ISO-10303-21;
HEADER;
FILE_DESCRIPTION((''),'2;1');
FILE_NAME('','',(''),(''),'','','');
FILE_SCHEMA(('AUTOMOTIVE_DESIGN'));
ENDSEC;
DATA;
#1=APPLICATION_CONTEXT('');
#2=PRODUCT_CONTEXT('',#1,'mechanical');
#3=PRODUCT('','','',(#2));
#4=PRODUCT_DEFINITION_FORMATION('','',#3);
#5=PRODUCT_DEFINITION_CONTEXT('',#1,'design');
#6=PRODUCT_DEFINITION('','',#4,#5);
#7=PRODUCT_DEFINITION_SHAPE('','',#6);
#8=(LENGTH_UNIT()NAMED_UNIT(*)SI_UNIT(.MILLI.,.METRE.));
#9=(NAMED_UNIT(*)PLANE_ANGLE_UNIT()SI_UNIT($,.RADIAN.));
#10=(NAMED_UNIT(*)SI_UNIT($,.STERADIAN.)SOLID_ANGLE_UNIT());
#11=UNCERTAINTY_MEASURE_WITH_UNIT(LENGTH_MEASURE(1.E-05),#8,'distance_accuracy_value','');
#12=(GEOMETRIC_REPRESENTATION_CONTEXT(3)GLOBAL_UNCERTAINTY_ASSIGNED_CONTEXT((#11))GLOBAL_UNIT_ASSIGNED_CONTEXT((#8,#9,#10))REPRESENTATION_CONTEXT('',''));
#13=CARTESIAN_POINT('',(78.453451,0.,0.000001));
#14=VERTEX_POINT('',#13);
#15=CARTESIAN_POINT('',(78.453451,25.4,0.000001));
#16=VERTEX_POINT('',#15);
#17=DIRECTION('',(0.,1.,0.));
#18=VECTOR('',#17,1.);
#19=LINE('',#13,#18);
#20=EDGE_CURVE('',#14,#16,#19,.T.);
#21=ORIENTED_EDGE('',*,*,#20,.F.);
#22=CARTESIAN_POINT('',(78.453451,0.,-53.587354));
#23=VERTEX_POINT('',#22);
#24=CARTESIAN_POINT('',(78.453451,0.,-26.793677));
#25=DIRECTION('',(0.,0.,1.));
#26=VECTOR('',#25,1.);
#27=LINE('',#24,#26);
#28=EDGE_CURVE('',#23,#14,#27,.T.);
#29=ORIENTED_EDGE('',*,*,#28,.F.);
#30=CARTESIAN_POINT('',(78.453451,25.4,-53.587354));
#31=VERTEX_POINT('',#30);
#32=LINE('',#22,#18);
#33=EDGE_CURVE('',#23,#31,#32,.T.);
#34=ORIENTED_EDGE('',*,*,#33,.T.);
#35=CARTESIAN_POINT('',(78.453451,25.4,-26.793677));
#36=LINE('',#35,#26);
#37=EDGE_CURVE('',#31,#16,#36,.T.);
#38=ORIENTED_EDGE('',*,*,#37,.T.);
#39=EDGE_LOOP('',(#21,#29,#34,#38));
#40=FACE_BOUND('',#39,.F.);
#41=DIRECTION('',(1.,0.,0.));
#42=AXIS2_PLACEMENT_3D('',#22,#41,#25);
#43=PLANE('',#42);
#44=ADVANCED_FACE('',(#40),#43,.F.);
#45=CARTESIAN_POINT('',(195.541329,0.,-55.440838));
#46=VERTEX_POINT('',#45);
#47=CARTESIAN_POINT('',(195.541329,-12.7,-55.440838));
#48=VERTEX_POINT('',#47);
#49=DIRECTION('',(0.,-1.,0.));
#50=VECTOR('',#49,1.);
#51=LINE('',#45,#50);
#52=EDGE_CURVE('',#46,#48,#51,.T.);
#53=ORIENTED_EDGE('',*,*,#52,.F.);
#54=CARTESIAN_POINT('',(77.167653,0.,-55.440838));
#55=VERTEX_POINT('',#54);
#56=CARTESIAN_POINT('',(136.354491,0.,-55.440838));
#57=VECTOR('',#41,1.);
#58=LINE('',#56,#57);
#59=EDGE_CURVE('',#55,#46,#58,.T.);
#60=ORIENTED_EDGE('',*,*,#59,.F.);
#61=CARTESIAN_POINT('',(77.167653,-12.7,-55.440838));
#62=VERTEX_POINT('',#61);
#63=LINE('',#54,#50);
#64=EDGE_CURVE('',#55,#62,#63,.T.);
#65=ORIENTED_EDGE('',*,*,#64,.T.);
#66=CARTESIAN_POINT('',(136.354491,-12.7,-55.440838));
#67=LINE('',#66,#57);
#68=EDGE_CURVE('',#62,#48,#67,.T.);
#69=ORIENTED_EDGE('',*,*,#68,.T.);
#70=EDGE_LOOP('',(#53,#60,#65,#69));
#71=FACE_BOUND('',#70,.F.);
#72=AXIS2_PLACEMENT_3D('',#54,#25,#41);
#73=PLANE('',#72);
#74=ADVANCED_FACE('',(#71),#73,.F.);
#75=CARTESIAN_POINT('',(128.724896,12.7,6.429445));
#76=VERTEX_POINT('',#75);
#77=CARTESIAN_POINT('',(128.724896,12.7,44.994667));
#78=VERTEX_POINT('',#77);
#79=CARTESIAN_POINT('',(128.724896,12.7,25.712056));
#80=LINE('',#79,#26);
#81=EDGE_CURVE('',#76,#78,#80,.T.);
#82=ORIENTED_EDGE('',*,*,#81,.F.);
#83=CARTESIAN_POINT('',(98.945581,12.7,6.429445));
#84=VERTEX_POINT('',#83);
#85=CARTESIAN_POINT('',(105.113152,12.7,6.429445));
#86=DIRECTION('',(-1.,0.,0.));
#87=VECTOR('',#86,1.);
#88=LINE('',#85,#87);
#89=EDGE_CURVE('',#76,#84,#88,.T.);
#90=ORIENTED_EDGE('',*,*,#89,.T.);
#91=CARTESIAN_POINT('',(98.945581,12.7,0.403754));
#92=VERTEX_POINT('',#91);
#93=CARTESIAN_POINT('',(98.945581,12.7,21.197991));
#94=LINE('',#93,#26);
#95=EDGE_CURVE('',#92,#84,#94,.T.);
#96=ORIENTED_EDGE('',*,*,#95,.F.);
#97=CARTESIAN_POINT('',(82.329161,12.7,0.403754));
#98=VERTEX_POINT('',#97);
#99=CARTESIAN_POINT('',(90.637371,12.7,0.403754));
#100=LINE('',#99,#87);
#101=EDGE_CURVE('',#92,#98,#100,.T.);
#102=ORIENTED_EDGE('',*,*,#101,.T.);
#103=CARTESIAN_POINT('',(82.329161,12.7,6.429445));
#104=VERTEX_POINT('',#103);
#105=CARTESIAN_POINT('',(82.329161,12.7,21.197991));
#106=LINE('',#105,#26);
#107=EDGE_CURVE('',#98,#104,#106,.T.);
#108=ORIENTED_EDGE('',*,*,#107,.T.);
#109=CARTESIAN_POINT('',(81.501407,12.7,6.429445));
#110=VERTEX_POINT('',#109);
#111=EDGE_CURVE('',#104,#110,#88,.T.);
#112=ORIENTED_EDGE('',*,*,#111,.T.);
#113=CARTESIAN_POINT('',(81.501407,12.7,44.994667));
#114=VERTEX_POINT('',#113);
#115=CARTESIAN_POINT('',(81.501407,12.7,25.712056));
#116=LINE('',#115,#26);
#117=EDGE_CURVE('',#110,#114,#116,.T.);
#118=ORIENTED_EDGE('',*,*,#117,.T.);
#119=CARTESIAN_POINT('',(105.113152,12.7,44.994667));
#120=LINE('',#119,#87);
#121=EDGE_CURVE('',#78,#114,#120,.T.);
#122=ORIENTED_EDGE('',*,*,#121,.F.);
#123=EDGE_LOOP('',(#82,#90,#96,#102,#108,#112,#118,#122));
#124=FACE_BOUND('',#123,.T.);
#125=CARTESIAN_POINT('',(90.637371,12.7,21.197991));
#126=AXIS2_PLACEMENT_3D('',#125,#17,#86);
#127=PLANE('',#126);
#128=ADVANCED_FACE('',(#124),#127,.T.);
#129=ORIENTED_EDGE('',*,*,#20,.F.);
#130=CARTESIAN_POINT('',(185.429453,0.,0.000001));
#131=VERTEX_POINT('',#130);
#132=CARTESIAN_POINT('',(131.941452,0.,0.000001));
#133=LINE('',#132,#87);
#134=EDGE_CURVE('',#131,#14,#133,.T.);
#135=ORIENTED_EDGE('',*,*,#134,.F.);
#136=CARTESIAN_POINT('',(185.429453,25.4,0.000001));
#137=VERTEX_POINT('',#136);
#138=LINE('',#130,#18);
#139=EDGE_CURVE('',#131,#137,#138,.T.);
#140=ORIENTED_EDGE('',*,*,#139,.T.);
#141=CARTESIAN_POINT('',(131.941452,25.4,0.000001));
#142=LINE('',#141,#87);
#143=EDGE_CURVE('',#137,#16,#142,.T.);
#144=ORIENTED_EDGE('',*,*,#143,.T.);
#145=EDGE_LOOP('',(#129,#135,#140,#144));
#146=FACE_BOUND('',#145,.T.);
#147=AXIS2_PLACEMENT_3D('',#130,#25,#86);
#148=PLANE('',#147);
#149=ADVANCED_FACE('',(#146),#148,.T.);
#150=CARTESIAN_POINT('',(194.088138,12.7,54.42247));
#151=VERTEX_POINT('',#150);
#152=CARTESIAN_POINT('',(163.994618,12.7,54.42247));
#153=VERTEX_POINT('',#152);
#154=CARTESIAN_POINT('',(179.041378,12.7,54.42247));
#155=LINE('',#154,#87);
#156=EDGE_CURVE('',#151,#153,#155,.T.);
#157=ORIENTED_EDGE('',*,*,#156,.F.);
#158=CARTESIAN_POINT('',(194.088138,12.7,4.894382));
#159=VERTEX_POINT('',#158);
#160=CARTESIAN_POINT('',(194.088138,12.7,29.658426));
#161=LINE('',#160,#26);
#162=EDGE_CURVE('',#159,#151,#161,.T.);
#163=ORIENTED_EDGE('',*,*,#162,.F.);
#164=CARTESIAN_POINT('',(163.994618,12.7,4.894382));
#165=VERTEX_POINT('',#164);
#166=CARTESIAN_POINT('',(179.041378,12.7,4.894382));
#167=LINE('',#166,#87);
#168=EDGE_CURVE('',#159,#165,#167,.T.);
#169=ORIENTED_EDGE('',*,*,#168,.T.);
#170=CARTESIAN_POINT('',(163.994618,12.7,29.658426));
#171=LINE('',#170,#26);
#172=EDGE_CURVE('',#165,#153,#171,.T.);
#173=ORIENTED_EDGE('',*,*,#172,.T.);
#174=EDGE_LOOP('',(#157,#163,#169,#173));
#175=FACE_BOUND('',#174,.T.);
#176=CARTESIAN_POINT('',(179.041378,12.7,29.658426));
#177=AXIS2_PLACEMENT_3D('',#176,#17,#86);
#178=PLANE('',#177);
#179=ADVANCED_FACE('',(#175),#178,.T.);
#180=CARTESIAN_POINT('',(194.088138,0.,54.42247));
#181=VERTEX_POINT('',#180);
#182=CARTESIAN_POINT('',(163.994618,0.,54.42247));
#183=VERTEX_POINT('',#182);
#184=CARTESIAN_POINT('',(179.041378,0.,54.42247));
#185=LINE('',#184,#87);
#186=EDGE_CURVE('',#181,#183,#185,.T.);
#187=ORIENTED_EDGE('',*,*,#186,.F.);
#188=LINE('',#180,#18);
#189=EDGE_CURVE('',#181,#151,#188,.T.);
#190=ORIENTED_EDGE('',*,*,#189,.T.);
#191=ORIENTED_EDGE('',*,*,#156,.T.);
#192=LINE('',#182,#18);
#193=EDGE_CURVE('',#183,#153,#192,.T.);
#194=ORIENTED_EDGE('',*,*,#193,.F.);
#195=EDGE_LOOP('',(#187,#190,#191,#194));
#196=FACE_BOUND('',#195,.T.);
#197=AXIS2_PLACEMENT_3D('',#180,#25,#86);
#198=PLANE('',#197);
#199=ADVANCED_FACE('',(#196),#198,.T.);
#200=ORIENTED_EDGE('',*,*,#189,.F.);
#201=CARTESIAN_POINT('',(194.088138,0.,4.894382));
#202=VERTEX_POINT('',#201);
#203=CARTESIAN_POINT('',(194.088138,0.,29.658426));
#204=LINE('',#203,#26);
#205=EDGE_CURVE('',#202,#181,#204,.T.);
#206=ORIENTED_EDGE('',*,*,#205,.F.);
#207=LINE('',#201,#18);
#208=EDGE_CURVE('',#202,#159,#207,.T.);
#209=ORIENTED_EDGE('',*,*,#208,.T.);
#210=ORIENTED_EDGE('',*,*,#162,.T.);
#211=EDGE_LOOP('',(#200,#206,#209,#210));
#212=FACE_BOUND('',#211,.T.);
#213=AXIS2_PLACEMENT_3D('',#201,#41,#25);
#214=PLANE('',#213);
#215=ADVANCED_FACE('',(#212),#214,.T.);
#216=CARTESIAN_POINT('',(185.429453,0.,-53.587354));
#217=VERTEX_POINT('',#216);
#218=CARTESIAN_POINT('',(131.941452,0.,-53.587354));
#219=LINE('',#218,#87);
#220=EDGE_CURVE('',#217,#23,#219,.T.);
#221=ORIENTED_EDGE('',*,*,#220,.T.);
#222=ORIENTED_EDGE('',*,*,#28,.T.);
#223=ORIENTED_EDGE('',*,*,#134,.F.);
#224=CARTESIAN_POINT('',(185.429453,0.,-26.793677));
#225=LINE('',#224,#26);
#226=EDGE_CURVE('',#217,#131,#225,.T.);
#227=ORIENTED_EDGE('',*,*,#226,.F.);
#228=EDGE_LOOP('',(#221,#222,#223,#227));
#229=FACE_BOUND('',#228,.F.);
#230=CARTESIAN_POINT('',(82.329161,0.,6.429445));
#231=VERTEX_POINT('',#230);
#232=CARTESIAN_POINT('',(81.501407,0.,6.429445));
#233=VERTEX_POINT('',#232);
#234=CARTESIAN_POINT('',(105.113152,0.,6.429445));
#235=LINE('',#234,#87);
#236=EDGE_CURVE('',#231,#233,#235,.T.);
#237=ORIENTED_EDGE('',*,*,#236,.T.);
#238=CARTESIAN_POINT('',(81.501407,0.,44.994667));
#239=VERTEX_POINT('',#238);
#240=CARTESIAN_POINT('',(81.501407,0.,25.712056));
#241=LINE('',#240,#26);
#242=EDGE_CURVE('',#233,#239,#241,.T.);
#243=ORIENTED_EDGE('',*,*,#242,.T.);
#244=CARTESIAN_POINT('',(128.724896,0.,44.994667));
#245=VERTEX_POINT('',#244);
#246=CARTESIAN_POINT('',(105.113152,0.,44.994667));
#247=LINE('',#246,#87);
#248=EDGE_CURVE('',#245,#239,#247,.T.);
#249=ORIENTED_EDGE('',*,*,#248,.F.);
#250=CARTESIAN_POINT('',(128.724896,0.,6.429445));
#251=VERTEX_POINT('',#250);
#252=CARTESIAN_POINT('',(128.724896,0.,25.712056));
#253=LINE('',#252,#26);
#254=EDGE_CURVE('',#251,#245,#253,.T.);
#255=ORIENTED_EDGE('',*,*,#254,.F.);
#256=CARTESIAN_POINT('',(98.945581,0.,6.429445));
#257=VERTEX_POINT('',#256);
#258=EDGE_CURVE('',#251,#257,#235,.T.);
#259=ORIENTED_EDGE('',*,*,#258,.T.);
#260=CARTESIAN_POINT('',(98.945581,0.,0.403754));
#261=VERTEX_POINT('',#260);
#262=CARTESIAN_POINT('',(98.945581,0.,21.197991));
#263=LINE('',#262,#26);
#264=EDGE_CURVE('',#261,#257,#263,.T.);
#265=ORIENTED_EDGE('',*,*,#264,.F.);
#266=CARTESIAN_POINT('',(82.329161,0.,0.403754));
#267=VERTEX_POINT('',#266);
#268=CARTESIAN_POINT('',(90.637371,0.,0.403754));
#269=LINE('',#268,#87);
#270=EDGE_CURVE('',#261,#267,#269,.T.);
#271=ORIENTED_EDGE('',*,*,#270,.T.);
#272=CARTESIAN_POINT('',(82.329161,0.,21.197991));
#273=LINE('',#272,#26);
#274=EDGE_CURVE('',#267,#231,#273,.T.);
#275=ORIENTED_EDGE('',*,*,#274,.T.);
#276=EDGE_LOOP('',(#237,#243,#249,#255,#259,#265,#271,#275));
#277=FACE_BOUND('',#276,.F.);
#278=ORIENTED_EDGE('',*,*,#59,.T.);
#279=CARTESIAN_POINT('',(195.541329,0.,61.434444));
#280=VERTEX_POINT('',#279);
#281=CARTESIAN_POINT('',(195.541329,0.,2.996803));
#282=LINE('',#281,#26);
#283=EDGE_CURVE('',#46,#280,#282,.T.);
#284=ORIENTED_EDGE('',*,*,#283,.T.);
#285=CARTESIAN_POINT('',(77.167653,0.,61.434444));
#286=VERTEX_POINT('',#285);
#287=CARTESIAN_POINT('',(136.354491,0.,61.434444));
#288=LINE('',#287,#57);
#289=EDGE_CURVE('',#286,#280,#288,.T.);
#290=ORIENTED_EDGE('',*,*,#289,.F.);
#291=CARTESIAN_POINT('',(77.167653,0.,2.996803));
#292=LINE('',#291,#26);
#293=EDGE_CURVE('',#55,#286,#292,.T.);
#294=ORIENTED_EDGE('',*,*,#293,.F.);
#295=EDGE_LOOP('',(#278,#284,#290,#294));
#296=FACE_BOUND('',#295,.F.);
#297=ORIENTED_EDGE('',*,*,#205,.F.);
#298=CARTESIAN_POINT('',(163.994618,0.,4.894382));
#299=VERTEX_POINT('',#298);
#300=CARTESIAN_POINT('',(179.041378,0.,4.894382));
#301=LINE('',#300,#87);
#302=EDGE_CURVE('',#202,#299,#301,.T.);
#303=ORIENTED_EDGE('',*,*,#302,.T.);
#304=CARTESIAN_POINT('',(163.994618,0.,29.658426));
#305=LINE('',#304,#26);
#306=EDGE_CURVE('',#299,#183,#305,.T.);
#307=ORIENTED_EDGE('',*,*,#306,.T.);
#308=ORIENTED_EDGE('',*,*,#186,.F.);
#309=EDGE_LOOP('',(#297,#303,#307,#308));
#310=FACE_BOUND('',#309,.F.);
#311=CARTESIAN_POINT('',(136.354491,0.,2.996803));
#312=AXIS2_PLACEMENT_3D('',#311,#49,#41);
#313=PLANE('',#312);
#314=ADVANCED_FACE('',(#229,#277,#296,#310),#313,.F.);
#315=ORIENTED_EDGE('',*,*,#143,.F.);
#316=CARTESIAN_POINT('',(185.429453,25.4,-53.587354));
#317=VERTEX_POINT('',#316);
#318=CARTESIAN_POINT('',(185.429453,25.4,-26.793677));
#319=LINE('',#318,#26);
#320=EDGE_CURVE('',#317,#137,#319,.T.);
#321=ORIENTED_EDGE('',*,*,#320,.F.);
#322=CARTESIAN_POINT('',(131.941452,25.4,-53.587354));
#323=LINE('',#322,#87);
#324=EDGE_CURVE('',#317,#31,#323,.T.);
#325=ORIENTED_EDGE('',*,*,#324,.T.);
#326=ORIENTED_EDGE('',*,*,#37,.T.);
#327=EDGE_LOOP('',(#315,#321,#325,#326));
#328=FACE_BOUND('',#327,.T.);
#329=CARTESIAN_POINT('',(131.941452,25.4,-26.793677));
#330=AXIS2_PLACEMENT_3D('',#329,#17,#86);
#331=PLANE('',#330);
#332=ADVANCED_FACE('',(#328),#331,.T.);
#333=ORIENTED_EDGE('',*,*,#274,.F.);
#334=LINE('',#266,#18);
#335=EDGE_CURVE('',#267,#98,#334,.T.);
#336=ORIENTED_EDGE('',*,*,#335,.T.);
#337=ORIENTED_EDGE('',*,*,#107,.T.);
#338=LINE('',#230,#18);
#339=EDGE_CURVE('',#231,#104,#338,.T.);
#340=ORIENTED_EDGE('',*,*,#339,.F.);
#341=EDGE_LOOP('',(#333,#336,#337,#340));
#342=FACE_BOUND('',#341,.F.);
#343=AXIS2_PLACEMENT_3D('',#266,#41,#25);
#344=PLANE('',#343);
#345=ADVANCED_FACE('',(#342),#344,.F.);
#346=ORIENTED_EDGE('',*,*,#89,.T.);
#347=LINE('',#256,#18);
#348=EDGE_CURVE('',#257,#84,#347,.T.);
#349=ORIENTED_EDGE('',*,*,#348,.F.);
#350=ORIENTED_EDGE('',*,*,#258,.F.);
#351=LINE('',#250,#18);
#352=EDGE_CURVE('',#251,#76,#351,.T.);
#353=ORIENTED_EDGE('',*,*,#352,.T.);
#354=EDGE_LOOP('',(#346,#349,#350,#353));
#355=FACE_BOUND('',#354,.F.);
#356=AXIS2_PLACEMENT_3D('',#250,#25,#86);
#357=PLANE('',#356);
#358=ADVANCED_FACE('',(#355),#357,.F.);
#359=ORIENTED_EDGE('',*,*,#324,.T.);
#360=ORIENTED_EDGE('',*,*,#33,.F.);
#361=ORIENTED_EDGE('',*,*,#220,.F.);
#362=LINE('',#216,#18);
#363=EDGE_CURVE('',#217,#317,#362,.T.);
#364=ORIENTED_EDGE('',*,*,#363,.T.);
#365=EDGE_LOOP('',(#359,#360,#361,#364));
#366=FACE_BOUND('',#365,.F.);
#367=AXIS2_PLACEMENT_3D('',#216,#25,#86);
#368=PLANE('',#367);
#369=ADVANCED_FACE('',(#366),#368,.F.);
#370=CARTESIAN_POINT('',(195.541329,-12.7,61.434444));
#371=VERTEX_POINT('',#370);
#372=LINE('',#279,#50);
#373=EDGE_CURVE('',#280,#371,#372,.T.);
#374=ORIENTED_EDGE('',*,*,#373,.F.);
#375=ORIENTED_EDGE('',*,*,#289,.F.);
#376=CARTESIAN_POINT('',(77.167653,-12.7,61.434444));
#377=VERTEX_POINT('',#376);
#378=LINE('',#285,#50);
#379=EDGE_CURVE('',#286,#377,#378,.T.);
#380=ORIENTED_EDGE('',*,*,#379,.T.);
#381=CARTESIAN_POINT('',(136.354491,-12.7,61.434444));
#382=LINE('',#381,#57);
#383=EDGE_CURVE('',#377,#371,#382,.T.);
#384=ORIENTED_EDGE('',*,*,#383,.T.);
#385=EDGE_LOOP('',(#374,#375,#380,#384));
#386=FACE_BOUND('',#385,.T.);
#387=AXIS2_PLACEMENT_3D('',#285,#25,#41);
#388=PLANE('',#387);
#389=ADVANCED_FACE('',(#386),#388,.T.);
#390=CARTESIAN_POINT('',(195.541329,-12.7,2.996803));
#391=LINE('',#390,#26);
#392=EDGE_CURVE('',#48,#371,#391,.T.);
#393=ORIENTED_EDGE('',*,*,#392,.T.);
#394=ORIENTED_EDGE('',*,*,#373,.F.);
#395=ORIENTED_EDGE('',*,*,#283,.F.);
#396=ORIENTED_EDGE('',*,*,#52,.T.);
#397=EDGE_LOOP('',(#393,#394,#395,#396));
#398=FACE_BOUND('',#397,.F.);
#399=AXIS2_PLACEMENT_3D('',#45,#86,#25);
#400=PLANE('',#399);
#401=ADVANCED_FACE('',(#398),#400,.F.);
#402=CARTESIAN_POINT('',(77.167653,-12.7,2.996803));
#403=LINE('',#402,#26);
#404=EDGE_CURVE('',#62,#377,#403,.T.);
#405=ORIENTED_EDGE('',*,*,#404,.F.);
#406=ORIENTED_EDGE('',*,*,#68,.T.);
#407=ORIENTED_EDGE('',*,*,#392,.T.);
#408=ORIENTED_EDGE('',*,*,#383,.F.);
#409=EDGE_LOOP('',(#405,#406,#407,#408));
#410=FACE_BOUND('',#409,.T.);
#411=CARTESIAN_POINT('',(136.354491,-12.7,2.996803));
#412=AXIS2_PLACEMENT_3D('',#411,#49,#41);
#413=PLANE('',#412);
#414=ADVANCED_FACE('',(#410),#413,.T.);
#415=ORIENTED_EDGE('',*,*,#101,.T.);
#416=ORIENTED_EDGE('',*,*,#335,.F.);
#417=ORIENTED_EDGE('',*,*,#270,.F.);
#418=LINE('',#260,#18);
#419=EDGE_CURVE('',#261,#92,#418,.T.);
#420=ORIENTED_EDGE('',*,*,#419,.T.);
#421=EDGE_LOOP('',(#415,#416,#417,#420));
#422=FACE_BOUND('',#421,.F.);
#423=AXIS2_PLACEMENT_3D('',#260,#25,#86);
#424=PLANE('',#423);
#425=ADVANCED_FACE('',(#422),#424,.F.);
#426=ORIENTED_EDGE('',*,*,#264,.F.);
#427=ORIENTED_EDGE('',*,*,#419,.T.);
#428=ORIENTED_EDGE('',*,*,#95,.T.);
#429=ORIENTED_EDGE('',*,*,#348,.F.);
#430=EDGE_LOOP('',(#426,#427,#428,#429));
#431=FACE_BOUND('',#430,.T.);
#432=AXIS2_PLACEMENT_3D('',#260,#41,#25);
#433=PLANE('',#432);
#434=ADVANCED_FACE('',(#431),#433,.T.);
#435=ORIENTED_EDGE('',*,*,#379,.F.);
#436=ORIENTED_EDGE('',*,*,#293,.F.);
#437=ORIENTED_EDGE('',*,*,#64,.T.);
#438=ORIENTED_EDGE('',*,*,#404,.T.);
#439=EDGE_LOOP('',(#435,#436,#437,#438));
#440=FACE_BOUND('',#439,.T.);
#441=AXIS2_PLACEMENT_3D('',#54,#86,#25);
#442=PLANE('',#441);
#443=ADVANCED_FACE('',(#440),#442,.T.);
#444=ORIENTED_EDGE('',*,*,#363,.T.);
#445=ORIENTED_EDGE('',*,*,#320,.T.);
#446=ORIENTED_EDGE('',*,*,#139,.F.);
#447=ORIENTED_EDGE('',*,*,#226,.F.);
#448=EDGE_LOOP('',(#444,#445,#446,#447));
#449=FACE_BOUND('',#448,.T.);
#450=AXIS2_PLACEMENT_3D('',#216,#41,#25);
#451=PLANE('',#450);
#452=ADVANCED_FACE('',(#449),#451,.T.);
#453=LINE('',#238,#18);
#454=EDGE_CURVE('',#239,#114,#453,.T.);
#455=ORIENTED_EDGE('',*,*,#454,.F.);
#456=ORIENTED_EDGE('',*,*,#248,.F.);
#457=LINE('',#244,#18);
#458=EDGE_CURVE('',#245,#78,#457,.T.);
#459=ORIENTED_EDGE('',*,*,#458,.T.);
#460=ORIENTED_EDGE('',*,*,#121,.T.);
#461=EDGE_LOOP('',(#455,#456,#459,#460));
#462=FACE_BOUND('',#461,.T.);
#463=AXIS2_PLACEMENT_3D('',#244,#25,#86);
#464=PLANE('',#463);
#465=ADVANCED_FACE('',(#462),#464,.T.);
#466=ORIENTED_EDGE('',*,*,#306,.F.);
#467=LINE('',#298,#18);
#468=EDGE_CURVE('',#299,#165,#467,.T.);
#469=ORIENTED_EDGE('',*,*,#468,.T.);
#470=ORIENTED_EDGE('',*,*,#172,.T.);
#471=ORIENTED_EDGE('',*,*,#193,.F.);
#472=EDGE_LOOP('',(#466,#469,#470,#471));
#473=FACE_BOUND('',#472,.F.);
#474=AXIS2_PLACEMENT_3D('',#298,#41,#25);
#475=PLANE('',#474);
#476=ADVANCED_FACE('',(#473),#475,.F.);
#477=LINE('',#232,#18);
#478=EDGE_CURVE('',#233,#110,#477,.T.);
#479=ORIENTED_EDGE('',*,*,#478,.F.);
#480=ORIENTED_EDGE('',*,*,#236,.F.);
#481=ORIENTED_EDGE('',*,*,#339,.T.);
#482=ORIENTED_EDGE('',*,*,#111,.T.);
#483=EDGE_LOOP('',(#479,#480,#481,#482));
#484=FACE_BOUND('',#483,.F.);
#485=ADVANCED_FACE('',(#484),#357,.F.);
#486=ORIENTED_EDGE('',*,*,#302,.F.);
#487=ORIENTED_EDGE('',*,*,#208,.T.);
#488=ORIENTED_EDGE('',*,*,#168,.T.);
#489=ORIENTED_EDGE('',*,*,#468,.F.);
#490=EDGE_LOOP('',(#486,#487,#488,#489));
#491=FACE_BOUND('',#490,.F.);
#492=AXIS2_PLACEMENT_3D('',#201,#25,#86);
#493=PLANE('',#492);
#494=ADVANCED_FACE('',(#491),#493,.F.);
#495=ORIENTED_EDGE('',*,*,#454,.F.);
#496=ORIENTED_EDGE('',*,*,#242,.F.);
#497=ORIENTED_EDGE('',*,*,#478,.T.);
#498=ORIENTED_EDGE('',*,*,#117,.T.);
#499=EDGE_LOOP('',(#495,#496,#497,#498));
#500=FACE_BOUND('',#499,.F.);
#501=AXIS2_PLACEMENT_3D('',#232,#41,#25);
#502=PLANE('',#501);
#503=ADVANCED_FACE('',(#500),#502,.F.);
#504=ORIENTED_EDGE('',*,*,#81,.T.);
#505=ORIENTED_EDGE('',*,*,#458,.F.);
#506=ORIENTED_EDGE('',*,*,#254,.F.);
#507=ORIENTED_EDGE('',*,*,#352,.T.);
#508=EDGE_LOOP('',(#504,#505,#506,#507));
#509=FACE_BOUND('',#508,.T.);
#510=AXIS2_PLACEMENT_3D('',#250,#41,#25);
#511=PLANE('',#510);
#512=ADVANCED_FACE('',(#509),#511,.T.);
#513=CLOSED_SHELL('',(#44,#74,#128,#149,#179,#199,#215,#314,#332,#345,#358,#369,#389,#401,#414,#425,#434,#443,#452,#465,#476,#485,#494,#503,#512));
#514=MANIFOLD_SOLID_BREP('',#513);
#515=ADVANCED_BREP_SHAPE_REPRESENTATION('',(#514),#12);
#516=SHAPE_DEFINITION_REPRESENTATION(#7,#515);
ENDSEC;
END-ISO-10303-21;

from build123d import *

# Parameters (mm, degrees)
F0_W     = 118.373677
F0_H     = 116.875283
F1_DEPTH = 12.7
F2_W     = 106.976003
F2_H     = 53.587355
F3_DEPTH = 25.4
F4_W     = 30.09352
F4_H     = 49.528088
F4_W_2   = 47.223489
F4_H_2   = 38.565222
F5_DEPTH = 12.7
F6_W     = 16.616419
F6_H     = 41.588474
F7_DEPTH = 12.7


with BuildPart() as f1:
    # F0 (on Front) → F1 (new body)
    with BuildSketch(Plane.XZ):
        with Locations((136.354491, 2.996803)):
            Rectangle(F0_W, F0_H)
    extrude(amount=F1_DEPTH)

    # F2 (on face) → F3 (join)
    with BuildSketch(Plane(origin=(0, 0, 0), x_dir=(-1, 0, 0), z_dir=(0, 1, 0))):
        with Locations((-131.941452, -26.793677)):
            Rectangle(F2_W, F2_H)
    extrude(amount=F3_DEPTH)

    # F4 (on face) → F5 (join)
    with BuildSketch(Plane(origin=(0, 0, 0), x_dir=(-1, 0, 0), z_dir=(0, 1, 0))):
        with Locations((-179.041378, 29.658426)):
            Rectangle(F4_W, F4_H)
        with Locations((-105.113152, 25.712056)):
            Rectangle(F4_W_2, F4_H_2)
    extrude(amount=F5_DEPTH)

    # F6 (on face) → F7 (join)
    with BuildSketch(Plane(origin=(0, 0, 0), x_dir=(-1, 0, 0), z_dir=(0, 1, 0))):
        with Locations((-90.637371, 21.197991)):
            Rectangle(F6_W, F6_H)
    extrude(amount=F7_DEPTH)


solid = f1.part
